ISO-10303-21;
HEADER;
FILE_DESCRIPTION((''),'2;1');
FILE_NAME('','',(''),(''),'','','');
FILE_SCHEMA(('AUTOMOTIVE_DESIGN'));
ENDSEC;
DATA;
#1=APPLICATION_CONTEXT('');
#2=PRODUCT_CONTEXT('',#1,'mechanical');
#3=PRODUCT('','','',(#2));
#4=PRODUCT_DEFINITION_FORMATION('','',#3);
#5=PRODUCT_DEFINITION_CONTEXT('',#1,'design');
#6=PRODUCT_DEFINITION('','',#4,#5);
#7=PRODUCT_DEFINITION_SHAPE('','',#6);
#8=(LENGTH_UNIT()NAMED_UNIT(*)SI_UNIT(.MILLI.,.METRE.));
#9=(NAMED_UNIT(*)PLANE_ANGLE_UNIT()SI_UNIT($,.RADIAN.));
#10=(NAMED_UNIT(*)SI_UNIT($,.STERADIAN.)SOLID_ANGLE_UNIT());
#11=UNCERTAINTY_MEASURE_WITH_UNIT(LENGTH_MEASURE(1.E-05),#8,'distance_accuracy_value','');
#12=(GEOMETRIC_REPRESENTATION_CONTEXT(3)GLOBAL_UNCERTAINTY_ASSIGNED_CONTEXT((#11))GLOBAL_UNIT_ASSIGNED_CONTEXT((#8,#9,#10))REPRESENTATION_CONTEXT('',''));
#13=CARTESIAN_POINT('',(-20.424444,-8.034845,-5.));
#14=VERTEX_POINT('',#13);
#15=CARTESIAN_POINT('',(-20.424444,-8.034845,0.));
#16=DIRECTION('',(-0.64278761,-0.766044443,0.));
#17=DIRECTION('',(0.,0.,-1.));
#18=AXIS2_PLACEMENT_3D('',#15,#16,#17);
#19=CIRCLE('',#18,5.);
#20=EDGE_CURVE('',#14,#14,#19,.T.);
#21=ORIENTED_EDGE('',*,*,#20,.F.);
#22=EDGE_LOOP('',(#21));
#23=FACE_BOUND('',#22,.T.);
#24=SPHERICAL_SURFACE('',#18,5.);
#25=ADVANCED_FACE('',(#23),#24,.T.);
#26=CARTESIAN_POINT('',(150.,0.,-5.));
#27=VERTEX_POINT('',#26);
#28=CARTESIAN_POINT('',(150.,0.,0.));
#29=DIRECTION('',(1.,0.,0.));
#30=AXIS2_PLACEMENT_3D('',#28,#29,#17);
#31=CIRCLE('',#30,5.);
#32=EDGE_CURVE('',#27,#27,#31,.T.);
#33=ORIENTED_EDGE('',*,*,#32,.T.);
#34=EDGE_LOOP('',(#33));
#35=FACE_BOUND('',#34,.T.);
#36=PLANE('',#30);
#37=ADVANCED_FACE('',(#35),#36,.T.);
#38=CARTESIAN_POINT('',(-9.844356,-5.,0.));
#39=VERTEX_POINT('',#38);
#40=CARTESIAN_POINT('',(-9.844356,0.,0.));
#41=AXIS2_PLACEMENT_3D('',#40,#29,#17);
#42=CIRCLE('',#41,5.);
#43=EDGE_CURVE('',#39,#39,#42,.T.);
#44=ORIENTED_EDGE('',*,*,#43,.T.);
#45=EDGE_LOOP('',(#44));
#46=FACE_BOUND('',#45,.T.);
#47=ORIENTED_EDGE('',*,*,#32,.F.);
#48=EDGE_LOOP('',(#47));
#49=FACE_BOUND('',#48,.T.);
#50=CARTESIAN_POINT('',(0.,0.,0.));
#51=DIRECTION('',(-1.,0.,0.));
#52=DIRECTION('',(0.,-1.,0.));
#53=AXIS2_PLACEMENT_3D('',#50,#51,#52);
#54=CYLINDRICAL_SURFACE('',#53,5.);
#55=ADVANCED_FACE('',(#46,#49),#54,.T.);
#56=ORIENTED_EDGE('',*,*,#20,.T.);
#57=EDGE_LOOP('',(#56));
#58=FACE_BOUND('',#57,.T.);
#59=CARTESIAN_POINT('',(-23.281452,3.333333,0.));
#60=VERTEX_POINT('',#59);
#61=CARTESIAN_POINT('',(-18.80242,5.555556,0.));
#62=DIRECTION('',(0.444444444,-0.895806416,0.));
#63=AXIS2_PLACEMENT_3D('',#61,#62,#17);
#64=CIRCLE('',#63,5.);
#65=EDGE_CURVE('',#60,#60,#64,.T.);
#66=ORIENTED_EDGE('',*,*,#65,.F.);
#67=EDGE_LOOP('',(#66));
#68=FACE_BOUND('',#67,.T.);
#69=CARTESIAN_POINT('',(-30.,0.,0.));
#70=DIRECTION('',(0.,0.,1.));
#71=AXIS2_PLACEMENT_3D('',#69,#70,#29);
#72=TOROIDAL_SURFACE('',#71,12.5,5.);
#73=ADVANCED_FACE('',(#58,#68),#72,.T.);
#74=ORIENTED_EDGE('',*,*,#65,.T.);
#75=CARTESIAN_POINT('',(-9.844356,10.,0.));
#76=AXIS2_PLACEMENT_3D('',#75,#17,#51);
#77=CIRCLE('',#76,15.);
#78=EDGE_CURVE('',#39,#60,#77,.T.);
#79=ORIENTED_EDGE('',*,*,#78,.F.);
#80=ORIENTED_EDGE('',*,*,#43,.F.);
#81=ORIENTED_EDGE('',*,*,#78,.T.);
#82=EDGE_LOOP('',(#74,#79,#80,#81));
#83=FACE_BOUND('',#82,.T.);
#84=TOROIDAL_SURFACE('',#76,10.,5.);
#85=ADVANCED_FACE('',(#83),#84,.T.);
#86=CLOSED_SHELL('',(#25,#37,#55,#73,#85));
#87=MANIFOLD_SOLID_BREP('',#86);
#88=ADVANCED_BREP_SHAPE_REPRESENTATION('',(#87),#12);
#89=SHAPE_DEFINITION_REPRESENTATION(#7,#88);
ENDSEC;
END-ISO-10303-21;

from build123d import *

# Parameters (mm, degrees)
SKETCH2_R           = 5
DOME3_FACE_RADIUS   = 5
DOME3_HEIGHT        = 5
SKETCH4_R           = 5
BOSS_EXTRUDE2_DEPTH = 150


with BuildPart() as part:
    # Sweep2: sweep along a path in Sketch1
    with BuildLine(Plane.XY) as sweep2_path:
        Line((0, 0), (-9.844355629, 0))
        ThreePointArc((-9.844355629, 0), (-15.114818396, 1.501634144), (-18.802419794, 5.555555556))
        ThreePointArc((-18.802419794, 5.555555556), (-42.411911207, 1.481371052), (-20.424444461, -8.034845121))
    # Sketch2 → Sweep2 (sweep)
    with BuildSketch(Plane(origin=(0, 0, 0), x_dir=(0, 0, -1), z_dir=(1, 0, 0))):
        Circle(SKETCH2_R)
    sweep(path=sweep2_path.line)

    # Dome3: a dome of height H over a round flat face of radius A is a cap of a sphere of radius (A * A + H * H) / (2 * H)
    dome3_r = (DOME3_FACE_RADIUS * DOME3_FACE_RADIUS + DOME3_HEIGHT * DOME3_HEIGHT) / (2 * DOME3_HEIGHT)
    dome3_base = Plane((-20.424444461, -8.034845121, 0), z_dir=(0.64278761, 0.766044443, 0))
    with Locations(dome3_base.offset(DOME3_HEIGHT - dome3_r)):
        dome3_ball = Sphere(dome3_r, mode=Mode.PRIVATE)
    add(split(dome3_ball, bisect_by=dome3_base, keep=Keep.TOP, mode=Mode.PRIVATE))

    # Sketch4 → Boss-Extrude2 (add)
    with BuildSketch(Plane(origin=(0, 0, 0), x_dir=(0, 0, -1), z_dir=(1, 0, 0))):
        Circle(SKETCH4_R)
    extrude(amount=BOSS_EXTRUDE2_DEPTH)


solid = part.part
